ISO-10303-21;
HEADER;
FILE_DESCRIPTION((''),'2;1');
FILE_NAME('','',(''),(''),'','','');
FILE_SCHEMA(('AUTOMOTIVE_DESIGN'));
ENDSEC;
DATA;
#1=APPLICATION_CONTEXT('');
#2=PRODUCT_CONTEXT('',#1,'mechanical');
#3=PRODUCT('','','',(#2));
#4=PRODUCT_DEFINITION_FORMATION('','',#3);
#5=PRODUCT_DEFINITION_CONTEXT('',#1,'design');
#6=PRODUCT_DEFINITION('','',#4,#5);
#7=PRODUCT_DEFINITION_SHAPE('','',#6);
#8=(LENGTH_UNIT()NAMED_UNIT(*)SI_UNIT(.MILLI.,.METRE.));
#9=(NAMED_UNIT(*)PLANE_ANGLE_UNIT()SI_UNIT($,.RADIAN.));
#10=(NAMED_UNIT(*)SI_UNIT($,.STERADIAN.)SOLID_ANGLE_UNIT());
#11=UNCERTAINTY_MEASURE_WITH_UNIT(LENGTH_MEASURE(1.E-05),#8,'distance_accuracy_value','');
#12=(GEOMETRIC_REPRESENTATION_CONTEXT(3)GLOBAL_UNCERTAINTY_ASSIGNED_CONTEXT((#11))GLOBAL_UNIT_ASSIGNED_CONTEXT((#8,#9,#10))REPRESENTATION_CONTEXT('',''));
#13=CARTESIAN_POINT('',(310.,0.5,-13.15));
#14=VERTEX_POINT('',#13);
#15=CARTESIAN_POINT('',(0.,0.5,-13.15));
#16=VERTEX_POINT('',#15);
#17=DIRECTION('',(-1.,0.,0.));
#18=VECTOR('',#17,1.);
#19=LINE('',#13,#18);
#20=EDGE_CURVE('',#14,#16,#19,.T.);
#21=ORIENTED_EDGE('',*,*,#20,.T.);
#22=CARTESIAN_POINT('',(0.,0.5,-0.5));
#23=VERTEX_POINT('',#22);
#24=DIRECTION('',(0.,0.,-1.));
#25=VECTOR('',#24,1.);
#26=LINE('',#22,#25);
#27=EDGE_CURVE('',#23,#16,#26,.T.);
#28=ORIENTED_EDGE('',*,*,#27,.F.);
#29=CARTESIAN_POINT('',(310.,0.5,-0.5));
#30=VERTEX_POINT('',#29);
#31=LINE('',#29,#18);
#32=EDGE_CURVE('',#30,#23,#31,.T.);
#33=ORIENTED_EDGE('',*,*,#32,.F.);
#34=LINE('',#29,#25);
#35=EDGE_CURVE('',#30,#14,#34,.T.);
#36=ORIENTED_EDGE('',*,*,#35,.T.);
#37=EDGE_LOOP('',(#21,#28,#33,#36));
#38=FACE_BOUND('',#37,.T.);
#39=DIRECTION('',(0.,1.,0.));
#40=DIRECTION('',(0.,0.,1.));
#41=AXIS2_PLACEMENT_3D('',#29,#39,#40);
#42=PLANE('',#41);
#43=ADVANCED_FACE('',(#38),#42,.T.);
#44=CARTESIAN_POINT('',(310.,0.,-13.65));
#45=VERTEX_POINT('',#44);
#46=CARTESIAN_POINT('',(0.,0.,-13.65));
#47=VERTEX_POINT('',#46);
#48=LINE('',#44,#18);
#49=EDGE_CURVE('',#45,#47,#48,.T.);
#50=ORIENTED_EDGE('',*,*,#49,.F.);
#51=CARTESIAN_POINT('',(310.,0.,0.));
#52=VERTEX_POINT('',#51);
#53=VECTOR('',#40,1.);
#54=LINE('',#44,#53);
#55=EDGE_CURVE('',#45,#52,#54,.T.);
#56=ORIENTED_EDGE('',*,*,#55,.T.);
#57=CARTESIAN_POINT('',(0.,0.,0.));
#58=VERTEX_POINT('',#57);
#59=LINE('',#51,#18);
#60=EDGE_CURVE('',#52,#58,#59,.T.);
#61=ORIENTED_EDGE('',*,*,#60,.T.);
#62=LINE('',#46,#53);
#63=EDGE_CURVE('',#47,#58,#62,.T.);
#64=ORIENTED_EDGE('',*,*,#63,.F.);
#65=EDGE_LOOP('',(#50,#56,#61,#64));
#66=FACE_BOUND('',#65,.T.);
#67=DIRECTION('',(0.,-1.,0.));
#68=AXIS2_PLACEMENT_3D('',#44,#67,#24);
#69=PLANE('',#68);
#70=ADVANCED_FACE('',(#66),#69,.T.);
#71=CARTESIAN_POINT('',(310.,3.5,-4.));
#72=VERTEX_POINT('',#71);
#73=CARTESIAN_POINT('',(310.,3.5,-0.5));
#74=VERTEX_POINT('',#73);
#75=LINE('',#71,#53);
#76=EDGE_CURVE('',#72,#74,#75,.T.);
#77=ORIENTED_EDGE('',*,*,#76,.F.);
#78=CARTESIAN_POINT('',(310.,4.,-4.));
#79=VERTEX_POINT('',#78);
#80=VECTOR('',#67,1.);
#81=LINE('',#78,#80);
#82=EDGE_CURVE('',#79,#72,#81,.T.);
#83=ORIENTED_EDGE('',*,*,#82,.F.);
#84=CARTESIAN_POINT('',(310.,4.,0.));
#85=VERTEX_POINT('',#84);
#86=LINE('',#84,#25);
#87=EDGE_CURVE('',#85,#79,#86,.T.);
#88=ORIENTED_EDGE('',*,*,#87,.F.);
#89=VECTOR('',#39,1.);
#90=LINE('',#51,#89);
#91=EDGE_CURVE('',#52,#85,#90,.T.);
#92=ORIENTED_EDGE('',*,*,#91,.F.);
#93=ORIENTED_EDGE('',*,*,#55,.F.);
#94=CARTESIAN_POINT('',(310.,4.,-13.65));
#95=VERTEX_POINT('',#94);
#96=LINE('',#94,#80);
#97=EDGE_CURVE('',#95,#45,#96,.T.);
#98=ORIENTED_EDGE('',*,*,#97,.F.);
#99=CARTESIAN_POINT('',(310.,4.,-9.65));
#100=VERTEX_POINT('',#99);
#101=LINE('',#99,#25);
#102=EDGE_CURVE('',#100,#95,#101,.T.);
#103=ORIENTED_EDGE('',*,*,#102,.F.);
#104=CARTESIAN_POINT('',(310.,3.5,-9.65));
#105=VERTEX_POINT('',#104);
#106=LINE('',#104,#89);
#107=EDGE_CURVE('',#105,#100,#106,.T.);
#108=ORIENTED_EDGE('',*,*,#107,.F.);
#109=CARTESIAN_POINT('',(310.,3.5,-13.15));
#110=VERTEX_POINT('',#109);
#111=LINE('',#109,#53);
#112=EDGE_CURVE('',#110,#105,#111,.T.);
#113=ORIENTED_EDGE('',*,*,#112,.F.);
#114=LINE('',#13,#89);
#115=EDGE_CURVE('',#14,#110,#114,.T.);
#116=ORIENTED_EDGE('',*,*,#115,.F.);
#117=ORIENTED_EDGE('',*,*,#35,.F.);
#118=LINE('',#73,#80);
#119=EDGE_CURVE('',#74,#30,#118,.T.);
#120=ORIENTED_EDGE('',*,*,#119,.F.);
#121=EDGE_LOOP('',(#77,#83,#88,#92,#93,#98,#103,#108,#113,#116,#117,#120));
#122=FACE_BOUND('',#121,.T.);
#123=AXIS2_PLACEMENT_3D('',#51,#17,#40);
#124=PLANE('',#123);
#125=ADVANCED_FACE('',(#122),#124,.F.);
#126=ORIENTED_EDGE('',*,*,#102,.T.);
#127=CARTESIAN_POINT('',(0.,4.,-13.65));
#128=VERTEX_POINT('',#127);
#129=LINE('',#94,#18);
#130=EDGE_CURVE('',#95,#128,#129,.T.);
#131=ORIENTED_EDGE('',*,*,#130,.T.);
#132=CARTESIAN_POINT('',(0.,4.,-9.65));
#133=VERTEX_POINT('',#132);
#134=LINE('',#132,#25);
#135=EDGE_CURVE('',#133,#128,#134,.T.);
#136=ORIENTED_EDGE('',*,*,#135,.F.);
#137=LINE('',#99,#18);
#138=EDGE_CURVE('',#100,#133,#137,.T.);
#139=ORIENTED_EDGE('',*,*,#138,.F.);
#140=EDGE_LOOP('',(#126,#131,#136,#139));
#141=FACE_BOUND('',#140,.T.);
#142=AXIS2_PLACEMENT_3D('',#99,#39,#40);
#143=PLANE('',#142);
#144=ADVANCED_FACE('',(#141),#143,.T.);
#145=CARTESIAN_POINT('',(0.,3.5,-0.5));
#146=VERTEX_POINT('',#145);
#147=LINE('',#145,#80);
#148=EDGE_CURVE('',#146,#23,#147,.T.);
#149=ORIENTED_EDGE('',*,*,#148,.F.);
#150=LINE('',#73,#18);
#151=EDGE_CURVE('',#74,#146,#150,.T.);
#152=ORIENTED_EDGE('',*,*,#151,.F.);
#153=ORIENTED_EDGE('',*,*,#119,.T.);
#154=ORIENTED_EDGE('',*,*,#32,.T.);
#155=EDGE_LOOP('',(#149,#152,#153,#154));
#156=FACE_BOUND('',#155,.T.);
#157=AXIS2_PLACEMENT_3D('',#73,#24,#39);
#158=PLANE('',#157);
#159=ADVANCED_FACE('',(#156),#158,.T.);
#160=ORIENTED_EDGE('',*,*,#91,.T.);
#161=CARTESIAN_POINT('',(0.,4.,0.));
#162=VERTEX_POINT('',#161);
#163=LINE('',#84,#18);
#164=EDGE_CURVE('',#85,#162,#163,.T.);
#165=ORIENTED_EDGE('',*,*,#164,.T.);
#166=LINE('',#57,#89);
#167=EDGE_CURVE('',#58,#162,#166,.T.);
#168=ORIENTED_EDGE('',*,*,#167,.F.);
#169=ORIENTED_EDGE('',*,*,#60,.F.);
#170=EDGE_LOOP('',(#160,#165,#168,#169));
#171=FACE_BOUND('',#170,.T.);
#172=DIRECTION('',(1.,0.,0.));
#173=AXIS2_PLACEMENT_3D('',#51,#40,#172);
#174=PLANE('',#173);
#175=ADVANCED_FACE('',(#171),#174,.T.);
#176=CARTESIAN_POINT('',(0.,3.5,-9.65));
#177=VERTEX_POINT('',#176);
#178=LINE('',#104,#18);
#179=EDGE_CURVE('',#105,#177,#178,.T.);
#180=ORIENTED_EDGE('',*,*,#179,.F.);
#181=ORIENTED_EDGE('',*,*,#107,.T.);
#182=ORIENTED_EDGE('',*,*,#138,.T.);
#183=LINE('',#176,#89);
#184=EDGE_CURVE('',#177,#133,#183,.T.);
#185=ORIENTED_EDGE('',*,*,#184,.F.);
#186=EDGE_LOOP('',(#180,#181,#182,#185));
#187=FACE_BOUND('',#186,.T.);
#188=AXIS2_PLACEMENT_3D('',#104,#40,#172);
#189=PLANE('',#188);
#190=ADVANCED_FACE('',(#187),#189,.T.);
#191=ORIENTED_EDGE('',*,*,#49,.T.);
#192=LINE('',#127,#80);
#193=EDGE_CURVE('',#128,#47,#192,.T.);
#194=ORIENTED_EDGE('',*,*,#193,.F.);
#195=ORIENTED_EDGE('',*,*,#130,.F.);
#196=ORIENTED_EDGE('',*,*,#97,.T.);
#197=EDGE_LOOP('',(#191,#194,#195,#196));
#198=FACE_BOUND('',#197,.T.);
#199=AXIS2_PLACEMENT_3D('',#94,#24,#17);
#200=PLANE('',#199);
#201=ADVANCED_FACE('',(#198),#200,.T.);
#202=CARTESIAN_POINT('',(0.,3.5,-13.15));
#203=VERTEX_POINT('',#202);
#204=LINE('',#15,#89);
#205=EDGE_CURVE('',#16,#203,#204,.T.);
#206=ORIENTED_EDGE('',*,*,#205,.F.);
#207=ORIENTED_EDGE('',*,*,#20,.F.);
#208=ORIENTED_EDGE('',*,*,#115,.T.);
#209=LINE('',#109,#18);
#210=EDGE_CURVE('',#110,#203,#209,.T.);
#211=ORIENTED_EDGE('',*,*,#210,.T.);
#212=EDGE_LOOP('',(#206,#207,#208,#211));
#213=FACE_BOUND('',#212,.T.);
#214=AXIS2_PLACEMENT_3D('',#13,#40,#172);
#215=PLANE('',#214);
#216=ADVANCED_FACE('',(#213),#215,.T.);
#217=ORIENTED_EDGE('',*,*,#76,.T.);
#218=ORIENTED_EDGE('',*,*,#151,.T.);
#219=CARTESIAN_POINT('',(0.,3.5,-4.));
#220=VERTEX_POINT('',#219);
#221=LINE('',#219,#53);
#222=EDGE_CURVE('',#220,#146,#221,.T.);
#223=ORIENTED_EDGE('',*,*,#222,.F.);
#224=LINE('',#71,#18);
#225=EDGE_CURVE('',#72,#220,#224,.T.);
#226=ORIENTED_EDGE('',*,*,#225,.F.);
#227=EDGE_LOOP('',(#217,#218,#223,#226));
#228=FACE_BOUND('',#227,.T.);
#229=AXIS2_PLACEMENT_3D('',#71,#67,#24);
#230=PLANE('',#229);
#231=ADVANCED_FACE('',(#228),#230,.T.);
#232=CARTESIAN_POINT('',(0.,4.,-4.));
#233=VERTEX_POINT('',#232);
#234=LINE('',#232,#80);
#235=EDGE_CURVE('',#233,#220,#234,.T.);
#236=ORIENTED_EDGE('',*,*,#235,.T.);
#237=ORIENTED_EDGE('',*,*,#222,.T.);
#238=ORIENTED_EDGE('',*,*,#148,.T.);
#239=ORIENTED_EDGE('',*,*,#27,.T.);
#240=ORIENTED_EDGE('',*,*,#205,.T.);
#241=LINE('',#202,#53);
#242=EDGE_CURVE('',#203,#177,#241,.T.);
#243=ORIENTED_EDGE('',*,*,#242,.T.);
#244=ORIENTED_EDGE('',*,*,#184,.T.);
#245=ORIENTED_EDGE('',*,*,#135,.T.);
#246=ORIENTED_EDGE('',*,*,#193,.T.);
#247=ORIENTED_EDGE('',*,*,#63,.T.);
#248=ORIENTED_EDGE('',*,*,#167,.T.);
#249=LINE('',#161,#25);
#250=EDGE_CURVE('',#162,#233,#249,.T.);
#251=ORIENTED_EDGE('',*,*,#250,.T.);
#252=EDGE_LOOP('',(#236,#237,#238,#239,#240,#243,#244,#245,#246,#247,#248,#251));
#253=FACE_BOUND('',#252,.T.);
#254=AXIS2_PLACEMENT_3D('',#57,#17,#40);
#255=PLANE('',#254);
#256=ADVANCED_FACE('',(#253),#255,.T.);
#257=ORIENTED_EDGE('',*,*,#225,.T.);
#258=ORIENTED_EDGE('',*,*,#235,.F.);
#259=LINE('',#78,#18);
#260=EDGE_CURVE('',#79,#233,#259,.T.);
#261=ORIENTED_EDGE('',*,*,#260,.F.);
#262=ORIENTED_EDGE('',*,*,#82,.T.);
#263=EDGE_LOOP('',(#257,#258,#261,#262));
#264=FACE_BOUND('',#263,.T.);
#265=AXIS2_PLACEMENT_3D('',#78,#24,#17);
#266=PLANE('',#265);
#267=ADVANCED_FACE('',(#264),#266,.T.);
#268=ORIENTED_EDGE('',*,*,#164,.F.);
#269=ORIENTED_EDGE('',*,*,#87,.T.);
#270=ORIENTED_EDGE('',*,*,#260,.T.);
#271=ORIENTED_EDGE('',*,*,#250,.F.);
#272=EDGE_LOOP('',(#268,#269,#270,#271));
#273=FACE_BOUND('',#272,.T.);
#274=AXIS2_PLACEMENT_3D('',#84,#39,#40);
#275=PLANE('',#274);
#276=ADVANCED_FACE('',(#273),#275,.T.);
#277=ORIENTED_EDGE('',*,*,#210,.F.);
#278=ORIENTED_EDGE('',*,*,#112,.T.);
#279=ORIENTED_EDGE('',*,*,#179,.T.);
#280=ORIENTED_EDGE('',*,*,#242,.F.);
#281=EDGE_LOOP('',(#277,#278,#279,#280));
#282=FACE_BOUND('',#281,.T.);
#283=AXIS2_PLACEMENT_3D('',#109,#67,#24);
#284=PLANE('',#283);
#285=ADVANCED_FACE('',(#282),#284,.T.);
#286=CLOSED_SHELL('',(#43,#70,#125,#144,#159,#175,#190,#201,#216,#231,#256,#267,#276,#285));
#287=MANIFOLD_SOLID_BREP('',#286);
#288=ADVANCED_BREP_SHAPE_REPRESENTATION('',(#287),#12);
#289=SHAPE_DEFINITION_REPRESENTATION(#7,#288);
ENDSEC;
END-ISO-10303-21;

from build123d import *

# Parameters (mm, degrees)
Y_KSEKLIK_EKSTR_ZYON1_DEPTH = 310


with BuildPart() as part:
    # Çizim1 → Yükseklik-Ekstrüzyon1 (new body)
    with BuildSketch(Plane(origin=(0, 0, 0), x_dir=(0, -1, 0), z_dir=(-1, 0, 0))):
        Polygon((0, 0), (-4, 0), (-4, -4), (-3.5, -4), (-3.5, -0.5), (-0.5, -0.5), (-0.5, -13.15), (-3.5, -13.15), (-3.5, -9.65), (-4, -9.65), (-4, -13.65), (0, -13.65), align=None)
    extrude(amount=-Y_KSEKLIK_EKSTR_ZYON1_DEPTH)


solid = part.part
